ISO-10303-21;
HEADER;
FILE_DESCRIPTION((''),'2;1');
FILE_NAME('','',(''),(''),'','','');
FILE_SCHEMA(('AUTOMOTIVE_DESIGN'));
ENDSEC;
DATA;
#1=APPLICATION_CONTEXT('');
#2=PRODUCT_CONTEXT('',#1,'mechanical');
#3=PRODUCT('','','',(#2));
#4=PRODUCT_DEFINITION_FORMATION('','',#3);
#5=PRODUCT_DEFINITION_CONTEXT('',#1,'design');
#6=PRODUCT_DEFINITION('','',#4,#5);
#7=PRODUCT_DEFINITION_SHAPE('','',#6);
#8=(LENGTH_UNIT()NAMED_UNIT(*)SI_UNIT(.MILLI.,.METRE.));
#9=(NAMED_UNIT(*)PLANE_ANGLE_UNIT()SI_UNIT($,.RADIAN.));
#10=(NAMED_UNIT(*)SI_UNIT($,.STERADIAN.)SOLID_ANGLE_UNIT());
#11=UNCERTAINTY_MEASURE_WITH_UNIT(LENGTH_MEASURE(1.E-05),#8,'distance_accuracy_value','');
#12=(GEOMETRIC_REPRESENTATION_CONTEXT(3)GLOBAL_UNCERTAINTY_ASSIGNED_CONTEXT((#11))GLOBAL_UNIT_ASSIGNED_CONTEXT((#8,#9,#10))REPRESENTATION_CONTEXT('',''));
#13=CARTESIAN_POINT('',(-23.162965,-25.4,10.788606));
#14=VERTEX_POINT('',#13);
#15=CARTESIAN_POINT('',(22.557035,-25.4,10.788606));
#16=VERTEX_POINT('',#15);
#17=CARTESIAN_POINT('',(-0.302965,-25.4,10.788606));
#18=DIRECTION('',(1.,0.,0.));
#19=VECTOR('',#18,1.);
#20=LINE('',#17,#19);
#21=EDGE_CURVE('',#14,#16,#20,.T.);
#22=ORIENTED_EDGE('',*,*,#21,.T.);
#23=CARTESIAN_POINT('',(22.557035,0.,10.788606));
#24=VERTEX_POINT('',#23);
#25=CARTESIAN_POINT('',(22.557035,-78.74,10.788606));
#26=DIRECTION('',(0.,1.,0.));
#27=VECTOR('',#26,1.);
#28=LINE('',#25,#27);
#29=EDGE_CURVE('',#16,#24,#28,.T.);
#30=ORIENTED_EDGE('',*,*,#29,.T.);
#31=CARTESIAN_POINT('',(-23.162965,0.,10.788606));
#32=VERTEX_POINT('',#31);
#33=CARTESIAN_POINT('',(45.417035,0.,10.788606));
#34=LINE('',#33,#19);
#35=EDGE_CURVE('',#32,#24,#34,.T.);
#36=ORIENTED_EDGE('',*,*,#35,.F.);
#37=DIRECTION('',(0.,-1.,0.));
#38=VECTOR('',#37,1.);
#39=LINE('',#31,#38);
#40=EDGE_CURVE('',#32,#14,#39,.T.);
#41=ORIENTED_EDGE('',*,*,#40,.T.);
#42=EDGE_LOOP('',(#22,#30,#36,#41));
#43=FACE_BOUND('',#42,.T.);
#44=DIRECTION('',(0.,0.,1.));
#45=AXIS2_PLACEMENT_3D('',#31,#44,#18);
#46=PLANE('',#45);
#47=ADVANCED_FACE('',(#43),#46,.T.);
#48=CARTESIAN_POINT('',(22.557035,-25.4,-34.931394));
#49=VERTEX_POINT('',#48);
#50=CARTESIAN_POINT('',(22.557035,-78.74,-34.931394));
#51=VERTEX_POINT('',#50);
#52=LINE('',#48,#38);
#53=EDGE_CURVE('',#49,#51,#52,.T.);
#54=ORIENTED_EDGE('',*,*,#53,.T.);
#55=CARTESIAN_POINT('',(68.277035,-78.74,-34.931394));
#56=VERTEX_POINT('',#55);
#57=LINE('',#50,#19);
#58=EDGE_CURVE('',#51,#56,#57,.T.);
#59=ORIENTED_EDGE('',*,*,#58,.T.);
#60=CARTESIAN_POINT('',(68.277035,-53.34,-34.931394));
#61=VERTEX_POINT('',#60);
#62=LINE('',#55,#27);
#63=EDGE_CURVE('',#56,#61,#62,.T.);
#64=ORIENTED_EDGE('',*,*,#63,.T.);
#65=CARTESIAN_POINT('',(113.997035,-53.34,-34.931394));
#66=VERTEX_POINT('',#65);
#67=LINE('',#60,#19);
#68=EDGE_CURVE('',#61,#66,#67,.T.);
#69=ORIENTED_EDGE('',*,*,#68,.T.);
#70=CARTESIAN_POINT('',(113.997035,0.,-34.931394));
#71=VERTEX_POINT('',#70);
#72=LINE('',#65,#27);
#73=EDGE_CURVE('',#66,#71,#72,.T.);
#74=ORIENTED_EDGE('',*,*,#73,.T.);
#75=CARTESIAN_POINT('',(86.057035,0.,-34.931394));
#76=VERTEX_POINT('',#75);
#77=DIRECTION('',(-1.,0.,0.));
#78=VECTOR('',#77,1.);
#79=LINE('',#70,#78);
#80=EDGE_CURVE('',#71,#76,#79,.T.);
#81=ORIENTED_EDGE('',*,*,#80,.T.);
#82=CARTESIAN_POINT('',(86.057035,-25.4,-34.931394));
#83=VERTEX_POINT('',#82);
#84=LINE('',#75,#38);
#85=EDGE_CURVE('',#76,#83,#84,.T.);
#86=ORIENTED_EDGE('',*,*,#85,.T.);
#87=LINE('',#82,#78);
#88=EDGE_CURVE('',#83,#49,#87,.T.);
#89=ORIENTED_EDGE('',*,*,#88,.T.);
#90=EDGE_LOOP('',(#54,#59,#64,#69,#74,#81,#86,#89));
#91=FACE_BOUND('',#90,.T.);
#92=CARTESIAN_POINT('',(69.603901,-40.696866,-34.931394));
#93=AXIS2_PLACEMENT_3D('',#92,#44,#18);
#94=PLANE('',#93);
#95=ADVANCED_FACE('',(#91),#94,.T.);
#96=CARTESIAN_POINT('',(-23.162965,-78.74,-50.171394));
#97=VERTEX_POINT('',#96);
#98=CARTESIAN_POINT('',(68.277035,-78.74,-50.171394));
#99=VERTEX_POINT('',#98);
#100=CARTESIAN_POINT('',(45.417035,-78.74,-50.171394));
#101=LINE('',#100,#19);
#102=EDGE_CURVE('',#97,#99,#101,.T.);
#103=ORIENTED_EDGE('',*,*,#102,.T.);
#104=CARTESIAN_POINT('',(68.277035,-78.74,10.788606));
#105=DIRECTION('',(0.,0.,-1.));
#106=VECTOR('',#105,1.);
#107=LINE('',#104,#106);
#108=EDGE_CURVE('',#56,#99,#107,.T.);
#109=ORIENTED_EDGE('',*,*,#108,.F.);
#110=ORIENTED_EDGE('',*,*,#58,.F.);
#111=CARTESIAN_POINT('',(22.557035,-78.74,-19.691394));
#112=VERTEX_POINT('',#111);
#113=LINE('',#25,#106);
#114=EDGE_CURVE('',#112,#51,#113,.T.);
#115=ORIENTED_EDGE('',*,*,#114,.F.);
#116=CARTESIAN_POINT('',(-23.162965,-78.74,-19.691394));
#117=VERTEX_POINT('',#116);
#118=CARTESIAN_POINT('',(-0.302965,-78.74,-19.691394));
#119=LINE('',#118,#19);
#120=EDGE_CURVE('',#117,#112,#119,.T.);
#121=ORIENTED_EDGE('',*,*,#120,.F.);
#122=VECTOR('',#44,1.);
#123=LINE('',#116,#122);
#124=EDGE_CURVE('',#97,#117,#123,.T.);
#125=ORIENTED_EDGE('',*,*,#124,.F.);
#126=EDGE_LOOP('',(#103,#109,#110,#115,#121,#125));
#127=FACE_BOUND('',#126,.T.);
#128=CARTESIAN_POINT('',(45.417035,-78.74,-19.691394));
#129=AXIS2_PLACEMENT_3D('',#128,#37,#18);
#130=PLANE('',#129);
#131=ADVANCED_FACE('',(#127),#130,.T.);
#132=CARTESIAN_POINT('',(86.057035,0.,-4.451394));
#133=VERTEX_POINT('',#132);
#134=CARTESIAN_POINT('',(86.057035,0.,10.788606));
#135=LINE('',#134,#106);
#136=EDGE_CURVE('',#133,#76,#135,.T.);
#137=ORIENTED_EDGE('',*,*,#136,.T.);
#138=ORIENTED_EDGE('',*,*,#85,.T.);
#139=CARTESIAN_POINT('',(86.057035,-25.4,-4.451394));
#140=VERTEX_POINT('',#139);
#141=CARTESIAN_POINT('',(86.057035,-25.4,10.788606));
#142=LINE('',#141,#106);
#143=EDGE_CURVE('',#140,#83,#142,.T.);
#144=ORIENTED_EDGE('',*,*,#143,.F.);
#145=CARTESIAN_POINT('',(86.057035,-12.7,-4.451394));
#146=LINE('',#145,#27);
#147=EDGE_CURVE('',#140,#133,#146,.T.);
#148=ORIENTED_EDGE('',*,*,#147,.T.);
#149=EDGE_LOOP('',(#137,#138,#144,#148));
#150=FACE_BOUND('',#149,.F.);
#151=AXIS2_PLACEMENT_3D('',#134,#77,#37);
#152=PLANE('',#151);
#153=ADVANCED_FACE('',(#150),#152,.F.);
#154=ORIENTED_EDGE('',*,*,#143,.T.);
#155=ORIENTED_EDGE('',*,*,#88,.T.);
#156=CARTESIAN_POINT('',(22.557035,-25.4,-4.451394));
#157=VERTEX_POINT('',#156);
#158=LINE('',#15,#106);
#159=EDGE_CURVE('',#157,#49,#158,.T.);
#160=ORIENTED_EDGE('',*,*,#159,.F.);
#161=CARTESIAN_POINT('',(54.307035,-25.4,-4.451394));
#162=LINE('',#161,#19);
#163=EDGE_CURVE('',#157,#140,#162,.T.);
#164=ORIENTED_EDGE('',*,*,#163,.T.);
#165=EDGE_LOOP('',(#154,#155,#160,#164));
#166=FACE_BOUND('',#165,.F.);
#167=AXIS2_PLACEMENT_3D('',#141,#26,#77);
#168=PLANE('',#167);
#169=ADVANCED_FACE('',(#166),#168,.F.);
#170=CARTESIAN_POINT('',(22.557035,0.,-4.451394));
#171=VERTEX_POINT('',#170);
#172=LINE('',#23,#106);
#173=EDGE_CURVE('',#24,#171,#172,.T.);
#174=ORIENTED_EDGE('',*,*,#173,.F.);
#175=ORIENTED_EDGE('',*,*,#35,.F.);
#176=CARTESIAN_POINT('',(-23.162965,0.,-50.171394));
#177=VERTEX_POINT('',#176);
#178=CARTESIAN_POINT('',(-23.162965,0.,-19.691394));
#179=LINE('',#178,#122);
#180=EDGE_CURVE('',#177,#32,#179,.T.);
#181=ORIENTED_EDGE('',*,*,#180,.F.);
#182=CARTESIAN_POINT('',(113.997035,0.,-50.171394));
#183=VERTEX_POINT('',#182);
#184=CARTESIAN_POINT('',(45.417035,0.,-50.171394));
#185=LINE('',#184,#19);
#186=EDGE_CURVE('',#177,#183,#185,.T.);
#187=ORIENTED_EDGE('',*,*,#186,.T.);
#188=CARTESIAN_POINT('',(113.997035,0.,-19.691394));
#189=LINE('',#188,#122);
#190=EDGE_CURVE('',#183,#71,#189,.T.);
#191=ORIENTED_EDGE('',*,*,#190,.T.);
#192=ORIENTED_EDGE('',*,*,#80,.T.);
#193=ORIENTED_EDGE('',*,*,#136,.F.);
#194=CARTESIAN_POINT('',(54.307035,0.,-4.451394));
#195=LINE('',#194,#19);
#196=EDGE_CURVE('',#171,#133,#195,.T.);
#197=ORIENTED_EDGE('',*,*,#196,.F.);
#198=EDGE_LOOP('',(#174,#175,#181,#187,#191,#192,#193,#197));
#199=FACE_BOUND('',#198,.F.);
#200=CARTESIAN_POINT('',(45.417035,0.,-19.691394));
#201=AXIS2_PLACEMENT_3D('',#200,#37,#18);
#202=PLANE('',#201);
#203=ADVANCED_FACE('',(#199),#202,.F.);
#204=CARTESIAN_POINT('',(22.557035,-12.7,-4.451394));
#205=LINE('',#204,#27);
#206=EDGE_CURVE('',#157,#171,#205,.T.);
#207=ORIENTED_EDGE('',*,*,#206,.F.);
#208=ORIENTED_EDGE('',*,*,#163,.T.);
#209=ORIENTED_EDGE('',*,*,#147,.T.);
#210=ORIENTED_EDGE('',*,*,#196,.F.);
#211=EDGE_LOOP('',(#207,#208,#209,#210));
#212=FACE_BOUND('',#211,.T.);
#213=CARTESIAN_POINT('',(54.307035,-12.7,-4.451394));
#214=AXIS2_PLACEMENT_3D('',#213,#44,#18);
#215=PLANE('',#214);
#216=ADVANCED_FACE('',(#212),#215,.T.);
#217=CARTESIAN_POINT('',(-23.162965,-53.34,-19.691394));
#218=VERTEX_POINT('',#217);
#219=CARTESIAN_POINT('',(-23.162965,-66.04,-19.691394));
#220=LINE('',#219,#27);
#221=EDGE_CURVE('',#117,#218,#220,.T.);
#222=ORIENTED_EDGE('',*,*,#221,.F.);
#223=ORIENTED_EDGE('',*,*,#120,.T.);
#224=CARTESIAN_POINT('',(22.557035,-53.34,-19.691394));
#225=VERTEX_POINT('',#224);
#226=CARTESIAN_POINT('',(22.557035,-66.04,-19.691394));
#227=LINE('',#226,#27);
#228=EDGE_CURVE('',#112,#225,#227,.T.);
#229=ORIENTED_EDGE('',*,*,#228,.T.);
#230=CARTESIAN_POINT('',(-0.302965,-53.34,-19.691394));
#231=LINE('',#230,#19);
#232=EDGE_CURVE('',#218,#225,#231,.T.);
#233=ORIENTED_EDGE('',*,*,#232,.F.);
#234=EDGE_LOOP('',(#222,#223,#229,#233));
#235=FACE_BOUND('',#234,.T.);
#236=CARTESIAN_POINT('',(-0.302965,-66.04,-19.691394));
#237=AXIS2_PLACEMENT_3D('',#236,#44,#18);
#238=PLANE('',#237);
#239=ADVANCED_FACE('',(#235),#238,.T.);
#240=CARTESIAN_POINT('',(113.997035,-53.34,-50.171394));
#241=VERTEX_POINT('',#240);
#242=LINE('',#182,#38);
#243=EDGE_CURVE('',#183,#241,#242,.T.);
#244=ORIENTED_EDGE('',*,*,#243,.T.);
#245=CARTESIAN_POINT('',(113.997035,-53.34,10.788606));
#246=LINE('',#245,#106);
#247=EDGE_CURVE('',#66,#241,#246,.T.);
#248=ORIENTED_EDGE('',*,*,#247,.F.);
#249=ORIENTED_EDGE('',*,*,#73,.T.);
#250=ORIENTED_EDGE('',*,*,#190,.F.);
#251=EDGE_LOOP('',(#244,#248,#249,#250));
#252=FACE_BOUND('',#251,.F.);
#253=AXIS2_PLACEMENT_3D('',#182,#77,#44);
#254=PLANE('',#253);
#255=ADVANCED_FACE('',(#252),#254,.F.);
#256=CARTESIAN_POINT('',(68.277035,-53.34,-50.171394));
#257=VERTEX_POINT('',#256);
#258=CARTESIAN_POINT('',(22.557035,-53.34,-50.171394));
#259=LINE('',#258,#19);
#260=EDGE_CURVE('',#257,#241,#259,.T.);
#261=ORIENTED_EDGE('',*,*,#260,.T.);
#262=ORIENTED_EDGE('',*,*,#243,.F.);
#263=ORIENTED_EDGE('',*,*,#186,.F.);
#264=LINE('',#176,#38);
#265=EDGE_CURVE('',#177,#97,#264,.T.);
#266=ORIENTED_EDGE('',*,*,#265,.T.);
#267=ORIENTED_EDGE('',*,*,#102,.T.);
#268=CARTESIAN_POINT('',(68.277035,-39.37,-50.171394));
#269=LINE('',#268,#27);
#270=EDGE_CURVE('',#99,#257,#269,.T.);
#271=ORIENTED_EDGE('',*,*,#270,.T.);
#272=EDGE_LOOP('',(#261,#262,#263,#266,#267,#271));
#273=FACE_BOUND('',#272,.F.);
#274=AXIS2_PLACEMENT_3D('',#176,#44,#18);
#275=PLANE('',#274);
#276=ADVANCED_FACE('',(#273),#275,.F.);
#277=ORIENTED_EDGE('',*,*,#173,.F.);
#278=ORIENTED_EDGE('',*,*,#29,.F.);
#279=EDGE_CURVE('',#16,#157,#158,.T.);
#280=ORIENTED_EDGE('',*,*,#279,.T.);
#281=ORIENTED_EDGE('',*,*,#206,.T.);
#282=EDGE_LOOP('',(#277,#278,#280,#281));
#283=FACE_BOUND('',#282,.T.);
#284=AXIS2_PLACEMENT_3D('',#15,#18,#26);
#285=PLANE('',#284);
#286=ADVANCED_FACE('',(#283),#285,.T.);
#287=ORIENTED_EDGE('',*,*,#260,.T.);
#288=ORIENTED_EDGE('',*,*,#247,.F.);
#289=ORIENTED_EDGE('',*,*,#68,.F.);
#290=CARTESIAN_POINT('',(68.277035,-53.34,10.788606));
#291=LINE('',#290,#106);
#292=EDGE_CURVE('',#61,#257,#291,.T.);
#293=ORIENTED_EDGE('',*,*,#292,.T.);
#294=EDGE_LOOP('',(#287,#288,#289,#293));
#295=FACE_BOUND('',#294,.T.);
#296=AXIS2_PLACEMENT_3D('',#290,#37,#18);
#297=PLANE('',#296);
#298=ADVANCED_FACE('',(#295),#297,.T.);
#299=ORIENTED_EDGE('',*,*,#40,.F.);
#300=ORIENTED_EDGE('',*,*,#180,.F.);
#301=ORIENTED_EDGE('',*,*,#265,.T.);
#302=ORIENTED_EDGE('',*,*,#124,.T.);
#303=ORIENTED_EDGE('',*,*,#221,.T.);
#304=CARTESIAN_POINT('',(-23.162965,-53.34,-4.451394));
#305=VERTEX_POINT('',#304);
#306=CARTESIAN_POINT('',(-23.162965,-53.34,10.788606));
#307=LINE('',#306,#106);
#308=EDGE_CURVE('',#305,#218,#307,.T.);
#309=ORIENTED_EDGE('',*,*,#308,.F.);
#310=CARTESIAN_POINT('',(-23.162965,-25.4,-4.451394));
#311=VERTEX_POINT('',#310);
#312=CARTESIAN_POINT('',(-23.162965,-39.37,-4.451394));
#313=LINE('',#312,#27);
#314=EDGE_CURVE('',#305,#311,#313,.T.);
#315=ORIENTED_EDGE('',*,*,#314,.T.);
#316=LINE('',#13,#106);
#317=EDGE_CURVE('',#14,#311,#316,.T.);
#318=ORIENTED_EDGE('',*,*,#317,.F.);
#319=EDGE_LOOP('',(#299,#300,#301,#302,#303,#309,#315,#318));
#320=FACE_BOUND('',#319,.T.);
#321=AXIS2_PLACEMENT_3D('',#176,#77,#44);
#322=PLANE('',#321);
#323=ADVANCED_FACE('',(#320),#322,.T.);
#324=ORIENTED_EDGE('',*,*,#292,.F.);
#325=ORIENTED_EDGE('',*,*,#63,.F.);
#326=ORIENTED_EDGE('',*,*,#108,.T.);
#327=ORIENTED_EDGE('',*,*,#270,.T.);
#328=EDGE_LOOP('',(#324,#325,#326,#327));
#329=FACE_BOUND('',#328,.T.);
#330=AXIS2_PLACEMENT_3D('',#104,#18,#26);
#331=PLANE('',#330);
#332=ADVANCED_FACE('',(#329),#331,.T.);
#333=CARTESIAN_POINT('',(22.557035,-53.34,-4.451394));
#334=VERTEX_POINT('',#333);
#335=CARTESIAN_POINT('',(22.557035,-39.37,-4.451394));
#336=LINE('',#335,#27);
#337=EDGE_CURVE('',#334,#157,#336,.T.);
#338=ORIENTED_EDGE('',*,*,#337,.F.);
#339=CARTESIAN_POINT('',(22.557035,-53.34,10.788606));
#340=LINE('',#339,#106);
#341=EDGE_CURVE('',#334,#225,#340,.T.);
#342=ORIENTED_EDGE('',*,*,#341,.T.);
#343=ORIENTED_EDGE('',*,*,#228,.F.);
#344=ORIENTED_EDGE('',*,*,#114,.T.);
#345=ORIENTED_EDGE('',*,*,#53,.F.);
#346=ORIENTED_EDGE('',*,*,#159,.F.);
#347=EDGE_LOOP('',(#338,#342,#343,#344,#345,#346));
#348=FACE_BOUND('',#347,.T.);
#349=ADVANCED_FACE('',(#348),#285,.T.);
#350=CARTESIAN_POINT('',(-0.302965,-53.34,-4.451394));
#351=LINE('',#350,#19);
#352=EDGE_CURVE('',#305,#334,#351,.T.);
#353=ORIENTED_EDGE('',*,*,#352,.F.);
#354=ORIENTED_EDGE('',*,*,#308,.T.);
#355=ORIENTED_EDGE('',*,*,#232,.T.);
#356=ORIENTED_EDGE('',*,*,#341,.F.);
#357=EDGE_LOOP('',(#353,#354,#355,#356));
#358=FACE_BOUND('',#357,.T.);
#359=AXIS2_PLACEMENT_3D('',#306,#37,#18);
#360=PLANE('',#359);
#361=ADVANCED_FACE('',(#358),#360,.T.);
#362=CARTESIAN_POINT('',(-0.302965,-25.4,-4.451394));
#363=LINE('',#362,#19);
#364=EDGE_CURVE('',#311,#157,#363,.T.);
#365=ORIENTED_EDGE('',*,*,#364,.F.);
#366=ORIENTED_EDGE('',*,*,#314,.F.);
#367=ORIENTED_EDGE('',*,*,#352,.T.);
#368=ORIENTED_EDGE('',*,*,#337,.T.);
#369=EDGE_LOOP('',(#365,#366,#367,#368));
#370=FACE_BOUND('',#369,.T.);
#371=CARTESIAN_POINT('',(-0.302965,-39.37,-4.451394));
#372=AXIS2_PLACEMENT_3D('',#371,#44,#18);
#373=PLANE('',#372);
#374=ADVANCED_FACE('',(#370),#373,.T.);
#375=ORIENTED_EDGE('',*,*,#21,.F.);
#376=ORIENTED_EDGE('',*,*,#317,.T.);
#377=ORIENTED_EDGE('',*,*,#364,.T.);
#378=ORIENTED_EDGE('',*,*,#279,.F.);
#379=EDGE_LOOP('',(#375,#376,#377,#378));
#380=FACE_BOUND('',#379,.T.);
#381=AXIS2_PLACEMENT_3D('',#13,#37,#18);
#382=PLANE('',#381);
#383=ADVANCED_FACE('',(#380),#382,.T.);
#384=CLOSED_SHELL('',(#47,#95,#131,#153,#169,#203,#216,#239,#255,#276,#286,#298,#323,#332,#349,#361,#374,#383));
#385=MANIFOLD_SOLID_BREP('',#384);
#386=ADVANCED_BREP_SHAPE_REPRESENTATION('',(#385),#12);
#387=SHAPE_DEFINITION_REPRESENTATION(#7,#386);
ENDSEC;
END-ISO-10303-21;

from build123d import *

# Parameters (mm, degrees)
F0_W     = 137.16
F0_H     = 60.96
F1_DEPTH = 78.74
F2_W     = 45.72
F2_H     = 25.4
F3_DEPTH = 60.961
F4_DEPTH = 45.72
F2_W_2   = 63.5
F5_DEPTH = 15.24
F2_H_2   = 27.94
F6_DEPTH = 15.24
F7_DEPTH = 30.48


with BuildPart() as f1:
    # F0 (on Front) → F1 (new body)
    with BuildSketch(Plane.XZ):
        with Locations((45.417035, -19.691394)):
            Rectangle(F0_W, F0_H)
    extrude(amount=F1_DEPTH)

    # F2 (on face) → F3 (cut, through all)
    with BuildSketch(Plane.XY.offset(10.788606)):
        with Locations((91.137035, -66.04)):
            Rectangle(F2_W, F2_H)
    extrude(amount=-F3_DEPTH, mode=Mode.SUBTRACT)

    # F2 (on face) → F4 (cut)
    with BuildSketch(Plane.XY.offset(10.788606)):
        Polygon((86.057035, -25.4), (22.557035, -25.4), (22.557035, -53.34), (22.557035, -78.74), (68.277035, -78.74), (68.277035, -53.34), (113.997035, -53.34), (113.997035, 0), (86.057035, 0), align=None)
    extrude(amount=-F4_DEPTH, mode=Mode.SUBTRACT)

    # F2 (on face) → F5 (cut)
    with BuildSketch(Plane.XY.offset(10.788606)):
        with Locations((54.307035, -12.7)):
            Rectangle(F2_W_2, F2_H)
    extrude(amount=-F5_DEPTH, mode=Mode.SUBTRACT)

    # F2 (on face) → F6 (cut)
    with BuildSketch(Plane.XY.offset(10.788606)):
        with Locations((-0.302965, -39.37)):
            Rectangle(F2_W, F2_H_2)
    extrude(amount=-F6_DEPTH, mode=Mode.SUBTRACT)

    # F2 (on face) → F7 (cut)
    with BuildSketch(Plane.XY.offset(10.788606)):
        with Locations((-0.302965, -66.04)):
            Rectangle(F2_W, F2_H)
    extrude(amount=-F7_DEPTH, mode=Mode.SUBTRACT)


solid = f1.part
